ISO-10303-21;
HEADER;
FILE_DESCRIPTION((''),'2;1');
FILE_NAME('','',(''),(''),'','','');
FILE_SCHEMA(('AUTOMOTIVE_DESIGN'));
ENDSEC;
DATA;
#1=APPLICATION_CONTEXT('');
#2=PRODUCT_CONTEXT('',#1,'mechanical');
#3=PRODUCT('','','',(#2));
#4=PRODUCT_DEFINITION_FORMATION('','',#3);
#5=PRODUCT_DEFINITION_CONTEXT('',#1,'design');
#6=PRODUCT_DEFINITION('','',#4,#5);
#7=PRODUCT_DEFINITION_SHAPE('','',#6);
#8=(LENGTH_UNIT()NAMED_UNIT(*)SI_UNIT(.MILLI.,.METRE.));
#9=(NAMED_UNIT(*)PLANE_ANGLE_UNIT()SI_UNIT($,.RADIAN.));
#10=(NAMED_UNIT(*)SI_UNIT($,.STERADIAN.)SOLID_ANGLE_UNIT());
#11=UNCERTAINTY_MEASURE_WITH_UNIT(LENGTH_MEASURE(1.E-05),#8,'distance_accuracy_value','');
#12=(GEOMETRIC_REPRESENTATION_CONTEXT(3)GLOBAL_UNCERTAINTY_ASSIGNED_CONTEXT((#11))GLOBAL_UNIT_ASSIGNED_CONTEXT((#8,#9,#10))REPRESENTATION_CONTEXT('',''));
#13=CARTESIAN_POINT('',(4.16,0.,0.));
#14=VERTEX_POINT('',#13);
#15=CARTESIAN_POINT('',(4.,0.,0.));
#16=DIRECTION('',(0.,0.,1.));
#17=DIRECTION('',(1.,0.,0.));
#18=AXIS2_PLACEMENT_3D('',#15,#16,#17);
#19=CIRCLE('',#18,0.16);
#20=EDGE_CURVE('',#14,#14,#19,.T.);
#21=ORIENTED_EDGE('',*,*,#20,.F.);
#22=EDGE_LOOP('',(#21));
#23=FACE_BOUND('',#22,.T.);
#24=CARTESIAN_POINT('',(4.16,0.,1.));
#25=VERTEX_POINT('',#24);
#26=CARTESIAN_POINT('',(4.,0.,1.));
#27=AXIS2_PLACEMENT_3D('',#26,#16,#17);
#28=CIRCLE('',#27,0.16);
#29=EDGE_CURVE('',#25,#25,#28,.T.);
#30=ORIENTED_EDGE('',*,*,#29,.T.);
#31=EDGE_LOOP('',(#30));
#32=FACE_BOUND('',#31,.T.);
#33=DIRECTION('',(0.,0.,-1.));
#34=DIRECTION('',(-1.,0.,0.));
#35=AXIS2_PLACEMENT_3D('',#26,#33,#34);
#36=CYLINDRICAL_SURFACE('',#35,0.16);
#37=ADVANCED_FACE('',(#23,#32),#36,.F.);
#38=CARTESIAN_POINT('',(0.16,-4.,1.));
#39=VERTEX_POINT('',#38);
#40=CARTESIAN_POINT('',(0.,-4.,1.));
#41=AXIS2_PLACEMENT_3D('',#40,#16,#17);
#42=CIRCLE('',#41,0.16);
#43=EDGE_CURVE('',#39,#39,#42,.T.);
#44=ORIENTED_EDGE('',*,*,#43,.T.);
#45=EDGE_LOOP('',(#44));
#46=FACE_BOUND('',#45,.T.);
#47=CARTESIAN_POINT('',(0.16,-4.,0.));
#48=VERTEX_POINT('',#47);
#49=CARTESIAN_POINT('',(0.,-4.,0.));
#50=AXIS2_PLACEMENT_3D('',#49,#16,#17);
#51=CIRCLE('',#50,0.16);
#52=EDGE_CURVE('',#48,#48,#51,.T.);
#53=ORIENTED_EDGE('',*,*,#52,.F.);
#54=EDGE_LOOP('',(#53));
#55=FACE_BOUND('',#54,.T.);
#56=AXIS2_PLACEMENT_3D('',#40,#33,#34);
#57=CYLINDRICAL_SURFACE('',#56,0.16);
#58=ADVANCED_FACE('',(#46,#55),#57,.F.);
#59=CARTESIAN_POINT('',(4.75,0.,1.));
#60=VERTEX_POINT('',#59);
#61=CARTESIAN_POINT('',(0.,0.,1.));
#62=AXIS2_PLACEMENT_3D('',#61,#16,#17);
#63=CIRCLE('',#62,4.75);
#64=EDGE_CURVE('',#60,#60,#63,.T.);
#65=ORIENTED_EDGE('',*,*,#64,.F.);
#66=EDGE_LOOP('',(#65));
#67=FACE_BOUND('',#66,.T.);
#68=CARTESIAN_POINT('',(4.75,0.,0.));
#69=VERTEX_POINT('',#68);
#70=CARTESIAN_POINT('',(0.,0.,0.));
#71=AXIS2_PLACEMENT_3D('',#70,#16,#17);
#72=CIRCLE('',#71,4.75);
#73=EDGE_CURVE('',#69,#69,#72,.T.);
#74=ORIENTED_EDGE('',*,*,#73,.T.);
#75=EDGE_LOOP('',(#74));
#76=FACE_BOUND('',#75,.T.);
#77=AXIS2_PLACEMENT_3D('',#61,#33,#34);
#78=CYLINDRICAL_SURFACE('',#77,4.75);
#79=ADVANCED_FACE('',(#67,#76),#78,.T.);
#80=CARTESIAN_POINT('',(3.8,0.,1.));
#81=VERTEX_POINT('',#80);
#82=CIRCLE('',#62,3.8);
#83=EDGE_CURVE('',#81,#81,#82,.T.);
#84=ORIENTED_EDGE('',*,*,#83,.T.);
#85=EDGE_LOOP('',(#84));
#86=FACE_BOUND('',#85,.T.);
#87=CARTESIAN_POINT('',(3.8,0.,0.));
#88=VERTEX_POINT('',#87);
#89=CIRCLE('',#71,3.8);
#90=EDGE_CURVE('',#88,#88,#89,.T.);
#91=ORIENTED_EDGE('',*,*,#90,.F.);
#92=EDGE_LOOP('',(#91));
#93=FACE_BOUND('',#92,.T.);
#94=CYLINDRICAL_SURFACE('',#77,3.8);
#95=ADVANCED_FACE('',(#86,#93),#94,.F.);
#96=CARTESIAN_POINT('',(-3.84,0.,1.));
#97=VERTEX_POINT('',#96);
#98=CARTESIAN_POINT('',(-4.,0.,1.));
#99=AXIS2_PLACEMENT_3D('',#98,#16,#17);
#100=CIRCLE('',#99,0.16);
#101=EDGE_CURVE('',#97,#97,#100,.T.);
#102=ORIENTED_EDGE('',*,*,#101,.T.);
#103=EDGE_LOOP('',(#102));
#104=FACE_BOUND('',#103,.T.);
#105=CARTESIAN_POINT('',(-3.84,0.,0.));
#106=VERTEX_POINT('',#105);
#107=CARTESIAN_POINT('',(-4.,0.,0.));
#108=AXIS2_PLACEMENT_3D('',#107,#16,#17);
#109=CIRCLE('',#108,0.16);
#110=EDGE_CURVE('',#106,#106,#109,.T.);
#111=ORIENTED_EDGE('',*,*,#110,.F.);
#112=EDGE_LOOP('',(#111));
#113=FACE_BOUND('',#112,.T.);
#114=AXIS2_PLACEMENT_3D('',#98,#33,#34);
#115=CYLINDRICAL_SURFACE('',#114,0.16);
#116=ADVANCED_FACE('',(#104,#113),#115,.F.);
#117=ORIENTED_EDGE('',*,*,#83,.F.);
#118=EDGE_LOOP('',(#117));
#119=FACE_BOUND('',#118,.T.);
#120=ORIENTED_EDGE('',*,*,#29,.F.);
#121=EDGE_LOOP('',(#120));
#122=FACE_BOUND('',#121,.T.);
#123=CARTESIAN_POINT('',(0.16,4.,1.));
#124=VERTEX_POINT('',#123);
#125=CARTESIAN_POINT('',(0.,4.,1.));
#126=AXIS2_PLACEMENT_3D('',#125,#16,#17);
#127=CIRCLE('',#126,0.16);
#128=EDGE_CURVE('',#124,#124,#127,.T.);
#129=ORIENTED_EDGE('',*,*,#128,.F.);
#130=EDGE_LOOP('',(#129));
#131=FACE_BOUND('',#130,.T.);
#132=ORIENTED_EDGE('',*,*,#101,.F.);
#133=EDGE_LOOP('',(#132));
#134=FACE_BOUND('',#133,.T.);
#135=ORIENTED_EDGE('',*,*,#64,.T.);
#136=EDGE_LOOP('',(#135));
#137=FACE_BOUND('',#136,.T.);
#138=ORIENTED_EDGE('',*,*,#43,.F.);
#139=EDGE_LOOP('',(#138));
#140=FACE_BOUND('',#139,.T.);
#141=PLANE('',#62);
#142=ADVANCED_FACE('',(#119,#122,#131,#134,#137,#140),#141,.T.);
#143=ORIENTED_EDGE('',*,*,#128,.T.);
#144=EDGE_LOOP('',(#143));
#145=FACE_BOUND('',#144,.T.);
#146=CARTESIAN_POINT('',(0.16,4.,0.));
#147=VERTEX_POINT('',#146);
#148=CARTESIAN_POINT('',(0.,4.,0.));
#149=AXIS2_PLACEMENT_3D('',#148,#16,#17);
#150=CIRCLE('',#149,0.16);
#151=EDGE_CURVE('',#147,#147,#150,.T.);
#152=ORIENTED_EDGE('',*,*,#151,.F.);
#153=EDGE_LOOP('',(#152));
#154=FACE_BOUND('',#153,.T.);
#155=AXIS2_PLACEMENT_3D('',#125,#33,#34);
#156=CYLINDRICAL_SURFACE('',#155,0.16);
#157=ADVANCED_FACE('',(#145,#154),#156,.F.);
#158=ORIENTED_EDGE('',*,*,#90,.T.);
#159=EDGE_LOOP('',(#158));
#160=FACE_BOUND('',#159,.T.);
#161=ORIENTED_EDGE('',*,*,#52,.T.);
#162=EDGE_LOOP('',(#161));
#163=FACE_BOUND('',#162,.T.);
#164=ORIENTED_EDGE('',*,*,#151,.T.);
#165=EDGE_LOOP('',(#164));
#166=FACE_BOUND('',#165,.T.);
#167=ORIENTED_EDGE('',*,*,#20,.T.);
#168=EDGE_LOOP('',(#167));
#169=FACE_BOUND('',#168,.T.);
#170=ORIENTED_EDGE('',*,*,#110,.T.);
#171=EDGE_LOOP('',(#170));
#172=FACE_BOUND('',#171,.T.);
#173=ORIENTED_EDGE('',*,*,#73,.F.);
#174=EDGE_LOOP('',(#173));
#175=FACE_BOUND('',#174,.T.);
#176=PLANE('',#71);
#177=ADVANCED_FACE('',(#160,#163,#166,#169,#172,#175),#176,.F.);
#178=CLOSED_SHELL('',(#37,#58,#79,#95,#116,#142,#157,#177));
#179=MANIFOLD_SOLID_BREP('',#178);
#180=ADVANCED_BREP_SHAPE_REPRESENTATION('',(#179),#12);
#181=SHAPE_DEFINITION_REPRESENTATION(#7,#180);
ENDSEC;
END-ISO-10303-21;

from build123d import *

# Parameters (mm, degrees)
ESQUISSE1_R        = 4.75
ESQUISSE1_R_2      = 3.8
ESQUISSE1_R_3      = 0.16
BOSS_EXTRU_1_DEPTH = 1


with BuildPart() as part:
    # Esquisse1 → Boss.-Extru.1 (new body)
    with BuildSketch(Plane.XY):
        Circle(ESQUISSE1_R)
        Circle(ESQUISSE1_R_2, mode=Mode.SUBTRACT)
        with Locations((0, 4)):
            Circle(ESQUISSE1_R_3, mode=Mode.SUBTRACT)
        with Locations((4, 0)):
            Circle(ESQUISSE1_R_3, mode=Mode.SUBTRACT)
        with Locations((0, -4)):
            Circle(ESQUISSE1_R_3, mode=Mode.SUBTRACT)
        with Locations((-4, 0)):
            Circle(ESQUISSE1_R_3, mode=Mode.SUBTRACT)
    extrude(amount=BOSS_EXTRU_1_DEPTH)


solid = part.part
